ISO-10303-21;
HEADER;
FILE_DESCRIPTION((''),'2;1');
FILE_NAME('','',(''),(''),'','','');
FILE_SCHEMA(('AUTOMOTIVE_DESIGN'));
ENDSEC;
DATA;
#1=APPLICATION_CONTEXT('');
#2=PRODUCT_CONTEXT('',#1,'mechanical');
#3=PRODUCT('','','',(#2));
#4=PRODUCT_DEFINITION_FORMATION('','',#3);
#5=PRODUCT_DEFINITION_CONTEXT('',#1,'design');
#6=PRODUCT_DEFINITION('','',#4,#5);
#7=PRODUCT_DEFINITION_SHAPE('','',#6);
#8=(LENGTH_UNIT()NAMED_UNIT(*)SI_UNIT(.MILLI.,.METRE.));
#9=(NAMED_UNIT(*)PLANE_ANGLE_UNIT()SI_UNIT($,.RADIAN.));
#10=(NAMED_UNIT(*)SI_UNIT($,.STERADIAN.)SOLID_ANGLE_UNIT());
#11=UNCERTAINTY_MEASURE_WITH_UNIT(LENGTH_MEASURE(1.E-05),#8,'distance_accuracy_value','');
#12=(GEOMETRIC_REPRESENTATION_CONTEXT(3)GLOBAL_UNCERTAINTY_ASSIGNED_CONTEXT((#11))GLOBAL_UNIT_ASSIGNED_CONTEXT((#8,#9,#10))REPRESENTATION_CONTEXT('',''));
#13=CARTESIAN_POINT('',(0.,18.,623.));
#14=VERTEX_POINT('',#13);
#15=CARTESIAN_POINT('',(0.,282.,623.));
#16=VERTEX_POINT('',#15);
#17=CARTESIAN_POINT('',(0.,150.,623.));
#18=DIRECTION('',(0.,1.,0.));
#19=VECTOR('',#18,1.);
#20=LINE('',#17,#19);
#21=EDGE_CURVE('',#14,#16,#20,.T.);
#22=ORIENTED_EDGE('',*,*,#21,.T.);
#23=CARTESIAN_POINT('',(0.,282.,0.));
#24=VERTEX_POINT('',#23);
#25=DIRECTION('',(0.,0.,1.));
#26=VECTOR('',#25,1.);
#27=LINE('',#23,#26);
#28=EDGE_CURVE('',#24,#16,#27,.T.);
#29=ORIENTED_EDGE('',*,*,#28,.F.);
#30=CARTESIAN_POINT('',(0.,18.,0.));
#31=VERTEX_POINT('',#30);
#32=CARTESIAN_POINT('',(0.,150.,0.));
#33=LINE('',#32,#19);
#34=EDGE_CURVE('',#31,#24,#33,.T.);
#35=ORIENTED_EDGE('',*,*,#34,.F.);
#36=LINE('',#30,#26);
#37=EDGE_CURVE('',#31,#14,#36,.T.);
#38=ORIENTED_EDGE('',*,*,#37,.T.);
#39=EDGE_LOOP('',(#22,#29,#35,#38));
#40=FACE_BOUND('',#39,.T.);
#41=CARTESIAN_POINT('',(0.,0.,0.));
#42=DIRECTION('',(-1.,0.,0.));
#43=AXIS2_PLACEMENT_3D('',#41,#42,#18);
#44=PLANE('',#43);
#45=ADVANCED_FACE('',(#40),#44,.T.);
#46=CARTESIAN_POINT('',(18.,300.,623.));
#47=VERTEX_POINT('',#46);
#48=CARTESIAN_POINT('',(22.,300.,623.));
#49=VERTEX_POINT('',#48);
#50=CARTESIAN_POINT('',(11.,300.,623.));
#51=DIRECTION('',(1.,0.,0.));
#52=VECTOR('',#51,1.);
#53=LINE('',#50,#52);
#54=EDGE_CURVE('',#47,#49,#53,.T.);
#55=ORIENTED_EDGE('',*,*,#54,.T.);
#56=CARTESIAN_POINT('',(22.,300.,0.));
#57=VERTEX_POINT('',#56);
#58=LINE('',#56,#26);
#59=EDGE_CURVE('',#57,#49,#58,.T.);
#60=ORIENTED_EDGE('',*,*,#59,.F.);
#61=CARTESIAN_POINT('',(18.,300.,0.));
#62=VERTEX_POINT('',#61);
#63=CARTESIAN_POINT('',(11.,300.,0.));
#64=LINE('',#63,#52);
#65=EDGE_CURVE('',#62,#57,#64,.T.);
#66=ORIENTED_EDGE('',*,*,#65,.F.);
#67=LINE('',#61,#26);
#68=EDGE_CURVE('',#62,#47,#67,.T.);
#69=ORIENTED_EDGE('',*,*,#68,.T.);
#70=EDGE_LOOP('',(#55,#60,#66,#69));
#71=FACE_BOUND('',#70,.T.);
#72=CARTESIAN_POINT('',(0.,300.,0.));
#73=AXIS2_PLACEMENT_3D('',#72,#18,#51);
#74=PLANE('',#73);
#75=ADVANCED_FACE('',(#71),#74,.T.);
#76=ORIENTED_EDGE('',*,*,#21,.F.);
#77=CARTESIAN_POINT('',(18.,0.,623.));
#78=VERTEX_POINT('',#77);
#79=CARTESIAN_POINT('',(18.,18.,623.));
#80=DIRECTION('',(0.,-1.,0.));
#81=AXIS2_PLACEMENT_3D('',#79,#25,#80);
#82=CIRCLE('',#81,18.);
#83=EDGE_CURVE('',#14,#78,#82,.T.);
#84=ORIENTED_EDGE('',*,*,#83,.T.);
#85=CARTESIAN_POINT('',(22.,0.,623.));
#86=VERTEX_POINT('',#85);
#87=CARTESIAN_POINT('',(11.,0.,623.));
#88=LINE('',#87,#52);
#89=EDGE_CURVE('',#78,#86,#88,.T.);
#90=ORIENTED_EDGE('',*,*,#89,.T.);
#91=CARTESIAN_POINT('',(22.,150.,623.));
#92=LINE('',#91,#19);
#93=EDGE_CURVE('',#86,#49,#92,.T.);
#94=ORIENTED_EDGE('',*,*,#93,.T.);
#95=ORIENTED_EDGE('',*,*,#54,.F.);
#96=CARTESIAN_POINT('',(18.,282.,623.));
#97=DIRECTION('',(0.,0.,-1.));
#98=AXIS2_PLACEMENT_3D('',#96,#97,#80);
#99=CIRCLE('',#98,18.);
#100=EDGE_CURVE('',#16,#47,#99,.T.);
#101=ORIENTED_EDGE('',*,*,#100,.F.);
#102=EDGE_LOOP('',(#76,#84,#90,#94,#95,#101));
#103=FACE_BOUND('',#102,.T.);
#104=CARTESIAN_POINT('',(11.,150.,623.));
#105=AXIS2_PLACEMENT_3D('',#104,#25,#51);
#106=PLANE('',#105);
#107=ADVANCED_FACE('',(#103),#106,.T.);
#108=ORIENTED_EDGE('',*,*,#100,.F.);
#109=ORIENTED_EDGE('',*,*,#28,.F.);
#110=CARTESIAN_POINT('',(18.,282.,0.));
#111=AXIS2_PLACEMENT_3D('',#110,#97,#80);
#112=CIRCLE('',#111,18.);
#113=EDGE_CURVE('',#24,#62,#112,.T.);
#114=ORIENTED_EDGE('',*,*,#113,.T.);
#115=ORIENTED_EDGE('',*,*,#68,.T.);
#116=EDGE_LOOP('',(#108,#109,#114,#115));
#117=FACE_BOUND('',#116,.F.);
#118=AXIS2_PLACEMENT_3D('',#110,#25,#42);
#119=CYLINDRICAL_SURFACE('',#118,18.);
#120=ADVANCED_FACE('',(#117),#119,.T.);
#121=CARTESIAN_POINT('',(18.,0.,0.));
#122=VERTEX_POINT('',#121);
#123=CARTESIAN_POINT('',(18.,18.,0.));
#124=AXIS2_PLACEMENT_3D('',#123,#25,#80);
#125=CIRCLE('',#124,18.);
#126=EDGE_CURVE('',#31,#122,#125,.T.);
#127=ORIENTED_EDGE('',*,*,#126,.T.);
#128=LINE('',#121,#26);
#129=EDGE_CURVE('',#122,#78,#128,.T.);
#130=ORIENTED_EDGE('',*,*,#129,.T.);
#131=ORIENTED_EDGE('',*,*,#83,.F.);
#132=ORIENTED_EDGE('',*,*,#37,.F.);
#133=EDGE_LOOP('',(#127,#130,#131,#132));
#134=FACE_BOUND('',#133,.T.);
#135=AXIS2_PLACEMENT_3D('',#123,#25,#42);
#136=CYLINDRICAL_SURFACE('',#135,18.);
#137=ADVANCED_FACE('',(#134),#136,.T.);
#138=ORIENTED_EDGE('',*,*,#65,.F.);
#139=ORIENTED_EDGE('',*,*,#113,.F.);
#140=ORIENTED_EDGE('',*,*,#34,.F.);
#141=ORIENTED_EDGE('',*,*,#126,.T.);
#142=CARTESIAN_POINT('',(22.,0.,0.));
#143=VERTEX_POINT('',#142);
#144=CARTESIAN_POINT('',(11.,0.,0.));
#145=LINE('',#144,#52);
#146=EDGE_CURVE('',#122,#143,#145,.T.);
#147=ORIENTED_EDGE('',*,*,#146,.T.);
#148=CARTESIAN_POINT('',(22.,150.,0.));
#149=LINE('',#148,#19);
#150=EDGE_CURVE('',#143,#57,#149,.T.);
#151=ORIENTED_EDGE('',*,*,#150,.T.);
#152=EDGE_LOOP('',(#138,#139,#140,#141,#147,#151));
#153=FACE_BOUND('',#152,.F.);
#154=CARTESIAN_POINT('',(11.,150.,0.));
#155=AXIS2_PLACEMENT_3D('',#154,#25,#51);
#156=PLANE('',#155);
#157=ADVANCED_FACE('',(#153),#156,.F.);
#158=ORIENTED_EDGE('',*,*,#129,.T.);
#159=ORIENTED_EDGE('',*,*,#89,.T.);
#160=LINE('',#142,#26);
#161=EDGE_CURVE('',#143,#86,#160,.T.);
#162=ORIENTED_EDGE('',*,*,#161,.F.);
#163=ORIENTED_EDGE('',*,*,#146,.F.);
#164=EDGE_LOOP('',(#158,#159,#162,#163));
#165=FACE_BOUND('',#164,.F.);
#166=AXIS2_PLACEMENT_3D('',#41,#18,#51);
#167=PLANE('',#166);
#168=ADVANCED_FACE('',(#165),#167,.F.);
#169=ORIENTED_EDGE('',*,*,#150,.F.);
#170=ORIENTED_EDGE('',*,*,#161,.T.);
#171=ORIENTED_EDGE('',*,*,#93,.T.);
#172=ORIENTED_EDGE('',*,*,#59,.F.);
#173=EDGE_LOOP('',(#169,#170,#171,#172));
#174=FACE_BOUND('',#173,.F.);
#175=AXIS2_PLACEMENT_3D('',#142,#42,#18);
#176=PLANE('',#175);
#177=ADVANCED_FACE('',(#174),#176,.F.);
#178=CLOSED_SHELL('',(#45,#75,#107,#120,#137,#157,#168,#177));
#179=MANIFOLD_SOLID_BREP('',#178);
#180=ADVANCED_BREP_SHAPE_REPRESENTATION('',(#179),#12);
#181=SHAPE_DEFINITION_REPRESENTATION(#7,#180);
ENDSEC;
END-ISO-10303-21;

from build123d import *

# Parameters (mm, degrees)
BOX_W       = 22
BOX_H       = 300
BOX_DEPTH   = 623
FILLET_R    = 18
FILLET001_R = 18


with BuildPart() as part:
    # Box → Box (new body)
    with BuildSketch(Plane.XY):
        with Locations((11, 150)):
            Rectangle(BOX_W, BOX_H)
    extrude(amount=BOX_DEPTH)

    # Fillet
    fillet_edges = [part.edges().sort_by_distance(p)[0] for p in [
        (0, 0, 311.5),
    ]]
    fillet(fillet_edges, radius=FILLET_R)

    # Fillet001
    fillet001_edges = [part.edges().sort_by_distance(p)[0] for p in [
        (0, 300, 311.5),
    ]]
    fillet(fillet001_edges, radius=FILLET001_R)


solid = part.part
